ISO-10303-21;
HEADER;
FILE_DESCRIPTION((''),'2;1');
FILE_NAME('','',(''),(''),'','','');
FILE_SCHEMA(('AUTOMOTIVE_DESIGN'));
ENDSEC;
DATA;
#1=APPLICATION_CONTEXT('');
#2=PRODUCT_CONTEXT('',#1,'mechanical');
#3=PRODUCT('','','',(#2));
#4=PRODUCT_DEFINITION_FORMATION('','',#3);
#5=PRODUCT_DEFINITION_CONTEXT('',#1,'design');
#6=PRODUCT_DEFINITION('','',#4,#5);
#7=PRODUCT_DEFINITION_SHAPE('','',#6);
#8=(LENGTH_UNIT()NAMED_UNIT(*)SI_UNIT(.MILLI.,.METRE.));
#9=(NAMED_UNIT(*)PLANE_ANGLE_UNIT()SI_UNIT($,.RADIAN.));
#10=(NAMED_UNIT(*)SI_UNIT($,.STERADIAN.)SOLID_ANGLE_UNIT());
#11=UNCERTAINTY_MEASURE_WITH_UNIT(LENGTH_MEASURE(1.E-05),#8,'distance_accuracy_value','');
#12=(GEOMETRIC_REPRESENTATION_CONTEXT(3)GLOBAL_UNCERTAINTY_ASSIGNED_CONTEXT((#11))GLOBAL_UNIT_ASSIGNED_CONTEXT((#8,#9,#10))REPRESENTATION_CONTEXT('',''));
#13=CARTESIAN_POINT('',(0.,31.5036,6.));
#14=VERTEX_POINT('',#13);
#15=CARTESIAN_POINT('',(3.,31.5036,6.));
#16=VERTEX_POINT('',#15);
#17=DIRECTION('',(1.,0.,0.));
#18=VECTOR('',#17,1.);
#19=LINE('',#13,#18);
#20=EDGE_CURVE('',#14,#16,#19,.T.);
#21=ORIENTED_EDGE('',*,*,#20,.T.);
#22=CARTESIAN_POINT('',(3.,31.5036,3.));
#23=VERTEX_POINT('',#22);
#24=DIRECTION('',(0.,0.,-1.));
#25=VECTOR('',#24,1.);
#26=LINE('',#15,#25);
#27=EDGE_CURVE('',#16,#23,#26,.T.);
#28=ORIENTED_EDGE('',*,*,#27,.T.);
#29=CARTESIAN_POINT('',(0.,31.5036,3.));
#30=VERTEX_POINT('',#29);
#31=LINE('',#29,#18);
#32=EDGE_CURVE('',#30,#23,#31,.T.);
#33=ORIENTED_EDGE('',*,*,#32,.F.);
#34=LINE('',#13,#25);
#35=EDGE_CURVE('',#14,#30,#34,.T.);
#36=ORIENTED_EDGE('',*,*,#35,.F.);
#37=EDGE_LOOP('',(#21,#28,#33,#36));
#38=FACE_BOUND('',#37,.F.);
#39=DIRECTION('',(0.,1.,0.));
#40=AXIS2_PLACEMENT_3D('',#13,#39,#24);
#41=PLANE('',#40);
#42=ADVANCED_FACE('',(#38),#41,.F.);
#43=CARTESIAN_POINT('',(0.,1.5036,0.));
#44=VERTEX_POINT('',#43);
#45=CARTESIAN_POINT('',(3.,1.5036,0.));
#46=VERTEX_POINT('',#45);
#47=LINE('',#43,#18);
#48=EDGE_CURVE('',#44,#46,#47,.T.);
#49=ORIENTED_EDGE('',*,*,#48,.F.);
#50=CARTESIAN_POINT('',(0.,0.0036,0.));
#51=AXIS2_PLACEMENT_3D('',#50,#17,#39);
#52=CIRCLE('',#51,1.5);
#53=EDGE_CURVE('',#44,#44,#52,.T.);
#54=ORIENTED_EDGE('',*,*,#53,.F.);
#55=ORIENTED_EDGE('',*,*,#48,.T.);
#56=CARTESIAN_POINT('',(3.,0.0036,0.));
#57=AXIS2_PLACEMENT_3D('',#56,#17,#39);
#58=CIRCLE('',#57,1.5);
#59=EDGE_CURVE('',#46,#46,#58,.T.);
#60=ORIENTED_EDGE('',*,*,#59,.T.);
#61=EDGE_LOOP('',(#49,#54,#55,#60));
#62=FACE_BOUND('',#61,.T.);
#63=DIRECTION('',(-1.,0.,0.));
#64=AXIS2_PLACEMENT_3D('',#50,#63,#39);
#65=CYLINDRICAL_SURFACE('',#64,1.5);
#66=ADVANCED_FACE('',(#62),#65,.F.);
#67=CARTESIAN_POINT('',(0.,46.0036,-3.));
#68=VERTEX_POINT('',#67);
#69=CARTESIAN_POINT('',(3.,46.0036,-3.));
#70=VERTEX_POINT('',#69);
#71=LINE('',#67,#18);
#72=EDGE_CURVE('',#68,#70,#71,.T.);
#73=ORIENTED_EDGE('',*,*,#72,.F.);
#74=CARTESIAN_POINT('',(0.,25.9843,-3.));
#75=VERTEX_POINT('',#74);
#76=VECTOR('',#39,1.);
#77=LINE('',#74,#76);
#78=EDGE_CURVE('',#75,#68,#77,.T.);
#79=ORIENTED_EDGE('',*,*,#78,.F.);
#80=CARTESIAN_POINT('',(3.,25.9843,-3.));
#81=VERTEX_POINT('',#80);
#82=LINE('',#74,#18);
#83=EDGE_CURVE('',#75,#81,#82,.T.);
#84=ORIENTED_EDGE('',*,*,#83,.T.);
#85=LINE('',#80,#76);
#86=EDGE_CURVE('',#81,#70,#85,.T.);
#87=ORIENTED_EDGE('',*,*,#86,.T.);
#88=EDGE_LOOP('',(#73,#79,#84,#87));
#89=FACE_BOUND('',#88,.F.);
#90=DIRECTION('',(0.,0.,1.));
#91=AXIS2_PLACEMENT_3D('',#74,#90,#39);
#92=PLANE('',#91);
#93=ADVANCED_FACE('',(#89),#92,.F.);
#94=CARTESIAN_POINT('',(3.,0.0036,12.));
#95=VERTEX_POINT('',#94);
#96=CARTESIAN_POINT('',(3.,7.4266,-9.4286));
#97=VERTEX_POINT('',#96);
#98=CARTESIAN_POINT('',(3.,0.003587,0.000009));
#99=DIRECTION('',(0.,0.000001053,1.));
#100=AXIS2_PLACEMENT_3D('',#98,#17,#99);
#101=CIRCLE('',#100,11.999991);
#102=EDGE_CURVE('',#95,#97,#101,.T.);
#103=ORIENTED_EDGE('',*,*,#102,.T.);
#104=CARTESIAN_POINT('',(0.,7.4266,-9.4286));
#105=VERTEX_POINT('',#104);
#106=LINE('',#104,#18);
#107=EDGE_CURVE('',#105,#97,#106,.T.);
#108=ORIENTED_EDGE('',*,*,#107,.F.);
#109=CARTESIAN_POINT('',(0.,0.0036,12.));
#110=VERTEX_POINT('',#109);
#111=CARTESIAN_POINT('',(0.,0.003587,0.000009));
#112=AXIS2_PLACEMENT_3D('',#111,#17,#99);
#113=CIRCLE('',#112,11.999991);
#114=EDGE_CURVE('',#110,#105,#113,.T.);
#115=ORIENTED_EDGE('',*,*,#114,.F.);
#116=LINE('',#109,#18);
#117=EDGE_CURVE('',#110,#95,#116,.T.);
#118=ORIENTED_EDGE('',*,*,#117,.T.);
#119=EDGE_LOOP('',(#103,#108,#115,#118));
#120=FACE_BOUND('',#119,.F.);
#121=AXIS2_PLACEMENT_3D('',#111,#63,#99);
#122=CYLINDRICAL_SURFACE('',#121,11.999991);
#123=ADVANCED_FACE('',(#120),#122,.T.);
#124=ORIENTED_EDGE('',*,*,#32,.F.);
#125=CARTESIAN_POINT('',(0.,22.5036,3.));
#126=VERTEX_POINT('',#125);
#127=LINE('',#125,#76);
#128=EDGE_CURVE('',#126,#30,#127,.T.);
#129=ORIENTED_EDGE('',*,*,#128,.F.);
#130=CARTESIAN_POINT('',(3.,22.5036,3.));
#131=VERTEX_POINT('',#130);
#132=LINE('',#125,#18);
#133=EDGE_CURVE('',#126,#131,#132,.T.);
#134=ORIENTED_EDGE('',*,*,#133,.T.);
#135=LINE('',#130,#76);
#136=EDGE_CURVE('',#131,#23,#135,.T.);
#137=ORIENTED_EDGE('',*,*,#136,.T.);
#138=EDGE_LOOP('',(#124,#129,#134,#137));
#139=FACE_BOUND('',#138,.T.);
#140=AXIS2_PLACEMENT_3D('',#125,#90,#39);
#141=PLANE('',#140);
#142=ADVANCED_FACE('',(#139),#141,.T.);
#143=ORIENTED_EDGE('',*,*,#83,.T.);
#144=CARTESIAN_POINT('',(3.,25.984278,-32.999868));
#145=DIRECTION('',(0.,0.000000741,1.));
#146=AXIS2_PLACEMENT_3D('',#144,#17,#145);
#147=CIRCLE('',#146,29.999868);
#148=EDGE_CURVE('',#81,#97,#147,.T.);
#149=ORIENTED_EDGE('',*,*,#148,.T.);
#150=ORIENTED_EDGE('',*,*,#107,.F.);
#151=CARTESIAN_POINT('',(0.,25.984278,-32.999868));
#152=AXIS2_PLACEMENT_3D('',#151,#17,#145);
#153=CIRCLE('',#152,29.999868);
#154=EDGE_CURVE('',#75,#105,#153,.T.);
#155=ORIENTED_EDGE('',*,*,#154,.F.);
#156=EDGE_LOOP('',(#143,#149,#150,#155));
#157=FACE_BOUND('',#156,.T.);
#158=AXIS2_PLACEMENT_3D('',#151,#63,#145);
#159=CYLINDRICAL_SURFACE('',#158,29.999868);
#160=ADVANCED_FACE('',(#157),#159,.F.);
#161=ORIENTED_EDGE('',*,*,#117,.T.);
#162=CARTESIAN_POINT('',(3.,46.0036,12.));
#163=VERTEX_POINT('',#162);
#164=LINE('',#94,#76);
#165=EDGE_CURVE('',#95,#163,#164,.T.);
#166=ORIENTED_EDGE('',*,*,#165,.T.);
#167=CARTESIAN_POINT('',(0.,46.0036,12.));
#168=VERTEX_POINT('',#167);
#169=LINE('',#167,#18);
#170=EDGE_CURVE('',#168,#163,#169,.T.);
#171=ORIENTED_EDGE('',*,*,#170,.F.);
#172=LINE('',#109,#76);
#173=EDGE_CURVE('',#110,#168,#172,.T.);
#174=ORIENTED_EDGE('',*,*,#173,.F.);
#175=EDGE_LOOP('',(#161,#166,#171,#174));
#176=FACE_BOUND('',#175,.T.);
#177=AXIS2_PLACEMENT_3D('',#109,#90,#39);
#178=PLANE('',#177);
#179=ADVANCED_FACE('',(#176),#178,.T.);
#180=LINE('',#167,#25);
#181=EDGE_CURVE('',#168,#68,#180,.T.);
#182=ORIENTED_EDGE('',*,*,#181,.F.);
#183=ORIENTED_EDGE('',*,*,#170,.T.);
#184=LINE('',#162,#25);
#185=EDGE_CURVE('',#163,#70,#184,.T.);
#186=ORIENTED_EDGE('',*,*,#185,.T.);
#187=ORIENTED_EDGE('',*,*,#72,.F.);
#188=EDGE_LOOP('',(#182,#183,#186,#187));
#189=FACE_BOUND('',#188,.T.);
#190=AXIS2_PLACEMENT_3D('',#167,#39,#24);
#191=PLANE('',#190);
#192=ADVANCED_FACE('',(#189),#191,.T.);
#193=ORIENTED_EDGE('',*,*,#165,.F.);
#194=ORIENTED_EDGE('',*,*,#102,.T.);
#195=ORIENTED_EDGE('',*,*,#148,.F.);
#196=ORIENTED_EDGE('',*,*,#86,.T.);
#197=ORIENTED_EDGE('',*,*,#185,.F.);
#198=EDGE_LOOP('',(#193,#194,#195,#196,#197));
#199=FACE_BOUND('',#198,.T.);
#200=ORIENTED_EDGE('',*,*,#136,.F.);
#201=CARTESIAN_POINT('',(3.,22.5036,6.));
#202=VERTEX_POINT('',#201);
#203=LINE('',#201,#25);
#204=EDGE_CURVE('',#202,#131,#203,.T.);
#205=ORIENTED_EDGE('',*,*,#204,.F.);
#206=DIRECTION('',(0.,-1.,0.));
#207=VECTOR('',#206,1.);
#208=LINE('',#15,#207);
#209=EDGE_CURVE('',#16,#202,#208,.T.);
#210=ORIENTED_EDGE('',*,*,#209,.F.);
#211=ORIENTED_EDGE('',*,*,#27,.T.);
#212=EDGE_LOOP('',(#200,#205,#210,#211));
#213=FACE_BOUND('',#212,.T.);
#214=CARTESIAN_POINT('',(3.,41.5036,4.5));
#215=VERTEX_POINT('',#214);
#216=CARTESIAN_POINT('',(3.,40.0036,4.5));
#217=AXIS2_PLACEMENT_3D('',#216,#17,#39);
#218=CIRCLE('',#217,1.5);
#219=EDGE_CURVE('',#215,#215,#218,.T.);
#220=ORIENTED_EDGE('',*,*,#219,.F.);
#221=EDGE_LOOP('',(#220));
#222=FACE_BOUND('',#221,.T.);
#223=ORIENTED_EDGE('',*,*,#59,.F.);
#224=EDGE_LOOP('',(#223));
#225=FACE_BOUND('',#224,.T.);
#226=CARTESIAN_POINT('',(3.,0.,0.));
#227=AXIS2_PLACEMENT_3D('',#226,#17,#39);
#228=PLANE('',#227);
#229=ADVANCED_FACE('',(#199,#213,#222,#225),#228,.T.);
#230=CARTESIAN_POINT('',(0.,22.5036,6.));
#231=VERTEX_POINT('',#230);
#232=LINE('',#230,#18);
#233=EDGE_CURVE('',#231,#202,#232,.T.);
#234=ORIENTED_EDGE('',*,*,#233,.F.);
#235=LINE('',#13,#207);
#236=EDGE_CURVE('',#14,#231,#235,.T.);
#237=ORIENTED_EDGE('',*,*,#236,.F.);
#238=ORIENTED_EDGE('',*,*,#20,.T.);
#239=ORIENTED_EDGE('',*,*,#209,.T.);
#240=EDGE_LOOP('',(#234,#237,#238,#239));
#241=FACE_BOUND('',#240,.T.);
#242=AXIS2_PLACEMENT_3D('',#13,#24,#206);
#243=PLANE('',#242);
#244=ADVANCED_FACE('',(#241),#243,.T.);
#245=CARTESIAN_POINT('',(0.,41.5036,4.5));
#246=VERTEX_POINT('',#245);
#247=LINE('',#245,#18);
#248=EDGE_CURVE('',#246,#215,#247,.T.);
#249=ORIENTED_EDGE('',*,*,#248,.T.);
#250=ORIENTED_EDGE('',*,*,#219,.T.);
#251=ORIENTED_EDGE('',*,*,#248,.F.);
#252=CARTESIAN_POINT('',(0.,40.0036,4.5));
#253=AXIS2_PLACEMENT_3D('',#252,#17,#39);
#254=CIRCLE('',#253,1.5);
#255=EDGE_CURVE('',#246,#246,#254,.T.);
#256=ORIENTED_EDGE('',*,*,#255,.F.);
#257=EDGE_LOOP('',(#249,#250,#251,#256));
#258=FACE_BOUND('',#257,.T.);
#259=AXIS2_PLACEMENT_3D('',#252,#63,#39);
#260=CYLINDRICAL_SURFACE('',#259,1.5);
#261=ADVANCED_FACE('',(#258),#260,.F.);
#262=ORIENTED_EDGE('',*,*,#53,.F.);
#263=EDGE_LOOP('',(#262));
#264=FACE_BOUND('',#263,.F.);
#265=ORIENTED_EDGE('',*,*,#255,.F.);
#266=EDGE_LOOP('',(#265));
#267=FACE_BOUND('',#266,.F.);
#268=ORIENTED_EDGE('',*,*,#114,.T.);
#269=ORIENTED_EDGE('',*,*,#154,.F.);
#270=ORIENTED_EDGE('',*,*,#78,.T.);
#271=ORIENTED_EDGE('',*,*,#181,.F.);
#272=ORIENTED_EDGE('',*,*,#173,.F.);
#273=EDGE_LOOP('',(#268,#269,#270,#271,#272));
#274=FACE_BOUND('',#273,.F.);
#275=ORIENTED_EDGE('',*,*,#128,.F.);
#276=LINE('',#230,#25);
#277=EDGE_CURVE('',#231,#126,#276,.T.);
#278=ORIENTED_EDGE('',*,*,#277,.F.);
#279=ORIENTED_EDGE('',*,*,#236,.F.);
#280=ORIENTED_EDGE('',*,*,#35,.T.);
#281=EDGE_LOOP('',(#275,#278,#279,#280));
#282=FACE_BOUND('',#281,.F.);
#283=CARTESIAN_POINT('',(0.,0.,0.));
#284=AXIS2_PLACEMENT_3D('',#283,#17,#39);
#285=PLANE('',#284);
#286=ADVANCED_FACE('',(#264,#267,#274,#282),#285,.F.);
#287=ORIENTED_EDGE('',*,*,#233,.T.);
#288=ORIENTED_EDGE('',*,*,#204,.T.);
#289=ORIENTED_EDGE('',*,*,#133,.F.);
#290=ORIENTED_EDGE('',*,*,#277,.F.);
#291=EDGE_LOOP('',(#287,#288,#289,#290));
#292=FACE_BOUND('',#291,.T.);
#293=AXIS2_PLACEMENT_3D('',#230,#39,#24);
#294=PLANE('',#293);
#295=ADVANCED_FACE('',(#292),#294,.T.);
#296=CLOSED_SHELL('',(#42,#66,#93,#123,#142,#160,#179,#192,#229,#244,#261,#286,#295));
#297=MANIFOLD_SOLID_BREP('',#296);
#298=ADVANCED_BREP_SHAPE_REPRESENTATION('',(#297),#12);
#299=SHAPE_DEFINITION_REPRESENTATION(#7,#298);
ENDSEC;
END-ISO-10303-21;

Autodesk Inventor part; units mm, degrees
ref_plane "YZ Plane" through (0, 0, 0) normal (1, 0, 0) x (0, 1, 0)
ref_plane "XZ Plane" through (0, 0, 0) normal (0, 1, 0) x (-1, 0, 0)
ref_plane "XY Plane" through (0, 0, 0) normal (0, 0, 1) x (1, 0, 0)
sketch "Sketch1" plane through (0, 0, 0) normal (1, 0, 0) x (0, 1, 0)
  circle A0 centre (0.0036, 0) radius 1.5
  line L0 (-11.9964, 37.6945) -> (46.0036, 37.6945) construction
  line L1 (0.0036, 12) -> (46.0036, 12)
  line L2 (46.0036, 12) -> (46.0036, -3)
  arc A1 (25.9843, -3) -> (7.4266, -9.4286) centre (25.9843, -33) ccw
  line L3 (25.9843, -3) -> (46.0036, -3)
  arc A2 (25.9843, -3) -> (7.4266, -9.4286) centre (25.9843, -33) ccw projected
  line L4 (25.9843, -3) -> (46.0036, -3) projected
  line L5 (46.0036, -3) -> (46.0036, 12) projected
  line L6 (46.0036, 12) -> (0.0036, 12) projected
  circle A3 centre (40.0036, 4.5) radius 1.5 projected
  arc A4 (0.0036, 12) -> (7.4266, -9.4286) centre (0.0036, 0) ccw
  circle A5 centre (40.0036, 4.5) radius 1.5
  line L7 (31.5036, 6) -> (22.5036, 6)
  line L8 (22.5036, 6) -> (22.5036, 3)
  line L9 (22.5036, 3) -> (31.5036, 3)
  line L10 (31.5036, 6) -> (31.5036, 3)
  point P0 (0, 0)
  point P1 (1.5, 26.1095)
  point P2 (22.5, 26.1095)
  dimension "d9" = 58
  dimension "d18" = 9
  dimension "d19" = 3
  dimension "d20" = 6
  dimension "d21" = 7.5
  dimension "d22" = 3
  dimension "d23" = 15
  dimension "d24" = 12
  dimension "d25" = 8.5
extrude "Extrusion1" add sketch "Sketch1" along normal blind 3
properties part number "Brazo3Izquierda"
